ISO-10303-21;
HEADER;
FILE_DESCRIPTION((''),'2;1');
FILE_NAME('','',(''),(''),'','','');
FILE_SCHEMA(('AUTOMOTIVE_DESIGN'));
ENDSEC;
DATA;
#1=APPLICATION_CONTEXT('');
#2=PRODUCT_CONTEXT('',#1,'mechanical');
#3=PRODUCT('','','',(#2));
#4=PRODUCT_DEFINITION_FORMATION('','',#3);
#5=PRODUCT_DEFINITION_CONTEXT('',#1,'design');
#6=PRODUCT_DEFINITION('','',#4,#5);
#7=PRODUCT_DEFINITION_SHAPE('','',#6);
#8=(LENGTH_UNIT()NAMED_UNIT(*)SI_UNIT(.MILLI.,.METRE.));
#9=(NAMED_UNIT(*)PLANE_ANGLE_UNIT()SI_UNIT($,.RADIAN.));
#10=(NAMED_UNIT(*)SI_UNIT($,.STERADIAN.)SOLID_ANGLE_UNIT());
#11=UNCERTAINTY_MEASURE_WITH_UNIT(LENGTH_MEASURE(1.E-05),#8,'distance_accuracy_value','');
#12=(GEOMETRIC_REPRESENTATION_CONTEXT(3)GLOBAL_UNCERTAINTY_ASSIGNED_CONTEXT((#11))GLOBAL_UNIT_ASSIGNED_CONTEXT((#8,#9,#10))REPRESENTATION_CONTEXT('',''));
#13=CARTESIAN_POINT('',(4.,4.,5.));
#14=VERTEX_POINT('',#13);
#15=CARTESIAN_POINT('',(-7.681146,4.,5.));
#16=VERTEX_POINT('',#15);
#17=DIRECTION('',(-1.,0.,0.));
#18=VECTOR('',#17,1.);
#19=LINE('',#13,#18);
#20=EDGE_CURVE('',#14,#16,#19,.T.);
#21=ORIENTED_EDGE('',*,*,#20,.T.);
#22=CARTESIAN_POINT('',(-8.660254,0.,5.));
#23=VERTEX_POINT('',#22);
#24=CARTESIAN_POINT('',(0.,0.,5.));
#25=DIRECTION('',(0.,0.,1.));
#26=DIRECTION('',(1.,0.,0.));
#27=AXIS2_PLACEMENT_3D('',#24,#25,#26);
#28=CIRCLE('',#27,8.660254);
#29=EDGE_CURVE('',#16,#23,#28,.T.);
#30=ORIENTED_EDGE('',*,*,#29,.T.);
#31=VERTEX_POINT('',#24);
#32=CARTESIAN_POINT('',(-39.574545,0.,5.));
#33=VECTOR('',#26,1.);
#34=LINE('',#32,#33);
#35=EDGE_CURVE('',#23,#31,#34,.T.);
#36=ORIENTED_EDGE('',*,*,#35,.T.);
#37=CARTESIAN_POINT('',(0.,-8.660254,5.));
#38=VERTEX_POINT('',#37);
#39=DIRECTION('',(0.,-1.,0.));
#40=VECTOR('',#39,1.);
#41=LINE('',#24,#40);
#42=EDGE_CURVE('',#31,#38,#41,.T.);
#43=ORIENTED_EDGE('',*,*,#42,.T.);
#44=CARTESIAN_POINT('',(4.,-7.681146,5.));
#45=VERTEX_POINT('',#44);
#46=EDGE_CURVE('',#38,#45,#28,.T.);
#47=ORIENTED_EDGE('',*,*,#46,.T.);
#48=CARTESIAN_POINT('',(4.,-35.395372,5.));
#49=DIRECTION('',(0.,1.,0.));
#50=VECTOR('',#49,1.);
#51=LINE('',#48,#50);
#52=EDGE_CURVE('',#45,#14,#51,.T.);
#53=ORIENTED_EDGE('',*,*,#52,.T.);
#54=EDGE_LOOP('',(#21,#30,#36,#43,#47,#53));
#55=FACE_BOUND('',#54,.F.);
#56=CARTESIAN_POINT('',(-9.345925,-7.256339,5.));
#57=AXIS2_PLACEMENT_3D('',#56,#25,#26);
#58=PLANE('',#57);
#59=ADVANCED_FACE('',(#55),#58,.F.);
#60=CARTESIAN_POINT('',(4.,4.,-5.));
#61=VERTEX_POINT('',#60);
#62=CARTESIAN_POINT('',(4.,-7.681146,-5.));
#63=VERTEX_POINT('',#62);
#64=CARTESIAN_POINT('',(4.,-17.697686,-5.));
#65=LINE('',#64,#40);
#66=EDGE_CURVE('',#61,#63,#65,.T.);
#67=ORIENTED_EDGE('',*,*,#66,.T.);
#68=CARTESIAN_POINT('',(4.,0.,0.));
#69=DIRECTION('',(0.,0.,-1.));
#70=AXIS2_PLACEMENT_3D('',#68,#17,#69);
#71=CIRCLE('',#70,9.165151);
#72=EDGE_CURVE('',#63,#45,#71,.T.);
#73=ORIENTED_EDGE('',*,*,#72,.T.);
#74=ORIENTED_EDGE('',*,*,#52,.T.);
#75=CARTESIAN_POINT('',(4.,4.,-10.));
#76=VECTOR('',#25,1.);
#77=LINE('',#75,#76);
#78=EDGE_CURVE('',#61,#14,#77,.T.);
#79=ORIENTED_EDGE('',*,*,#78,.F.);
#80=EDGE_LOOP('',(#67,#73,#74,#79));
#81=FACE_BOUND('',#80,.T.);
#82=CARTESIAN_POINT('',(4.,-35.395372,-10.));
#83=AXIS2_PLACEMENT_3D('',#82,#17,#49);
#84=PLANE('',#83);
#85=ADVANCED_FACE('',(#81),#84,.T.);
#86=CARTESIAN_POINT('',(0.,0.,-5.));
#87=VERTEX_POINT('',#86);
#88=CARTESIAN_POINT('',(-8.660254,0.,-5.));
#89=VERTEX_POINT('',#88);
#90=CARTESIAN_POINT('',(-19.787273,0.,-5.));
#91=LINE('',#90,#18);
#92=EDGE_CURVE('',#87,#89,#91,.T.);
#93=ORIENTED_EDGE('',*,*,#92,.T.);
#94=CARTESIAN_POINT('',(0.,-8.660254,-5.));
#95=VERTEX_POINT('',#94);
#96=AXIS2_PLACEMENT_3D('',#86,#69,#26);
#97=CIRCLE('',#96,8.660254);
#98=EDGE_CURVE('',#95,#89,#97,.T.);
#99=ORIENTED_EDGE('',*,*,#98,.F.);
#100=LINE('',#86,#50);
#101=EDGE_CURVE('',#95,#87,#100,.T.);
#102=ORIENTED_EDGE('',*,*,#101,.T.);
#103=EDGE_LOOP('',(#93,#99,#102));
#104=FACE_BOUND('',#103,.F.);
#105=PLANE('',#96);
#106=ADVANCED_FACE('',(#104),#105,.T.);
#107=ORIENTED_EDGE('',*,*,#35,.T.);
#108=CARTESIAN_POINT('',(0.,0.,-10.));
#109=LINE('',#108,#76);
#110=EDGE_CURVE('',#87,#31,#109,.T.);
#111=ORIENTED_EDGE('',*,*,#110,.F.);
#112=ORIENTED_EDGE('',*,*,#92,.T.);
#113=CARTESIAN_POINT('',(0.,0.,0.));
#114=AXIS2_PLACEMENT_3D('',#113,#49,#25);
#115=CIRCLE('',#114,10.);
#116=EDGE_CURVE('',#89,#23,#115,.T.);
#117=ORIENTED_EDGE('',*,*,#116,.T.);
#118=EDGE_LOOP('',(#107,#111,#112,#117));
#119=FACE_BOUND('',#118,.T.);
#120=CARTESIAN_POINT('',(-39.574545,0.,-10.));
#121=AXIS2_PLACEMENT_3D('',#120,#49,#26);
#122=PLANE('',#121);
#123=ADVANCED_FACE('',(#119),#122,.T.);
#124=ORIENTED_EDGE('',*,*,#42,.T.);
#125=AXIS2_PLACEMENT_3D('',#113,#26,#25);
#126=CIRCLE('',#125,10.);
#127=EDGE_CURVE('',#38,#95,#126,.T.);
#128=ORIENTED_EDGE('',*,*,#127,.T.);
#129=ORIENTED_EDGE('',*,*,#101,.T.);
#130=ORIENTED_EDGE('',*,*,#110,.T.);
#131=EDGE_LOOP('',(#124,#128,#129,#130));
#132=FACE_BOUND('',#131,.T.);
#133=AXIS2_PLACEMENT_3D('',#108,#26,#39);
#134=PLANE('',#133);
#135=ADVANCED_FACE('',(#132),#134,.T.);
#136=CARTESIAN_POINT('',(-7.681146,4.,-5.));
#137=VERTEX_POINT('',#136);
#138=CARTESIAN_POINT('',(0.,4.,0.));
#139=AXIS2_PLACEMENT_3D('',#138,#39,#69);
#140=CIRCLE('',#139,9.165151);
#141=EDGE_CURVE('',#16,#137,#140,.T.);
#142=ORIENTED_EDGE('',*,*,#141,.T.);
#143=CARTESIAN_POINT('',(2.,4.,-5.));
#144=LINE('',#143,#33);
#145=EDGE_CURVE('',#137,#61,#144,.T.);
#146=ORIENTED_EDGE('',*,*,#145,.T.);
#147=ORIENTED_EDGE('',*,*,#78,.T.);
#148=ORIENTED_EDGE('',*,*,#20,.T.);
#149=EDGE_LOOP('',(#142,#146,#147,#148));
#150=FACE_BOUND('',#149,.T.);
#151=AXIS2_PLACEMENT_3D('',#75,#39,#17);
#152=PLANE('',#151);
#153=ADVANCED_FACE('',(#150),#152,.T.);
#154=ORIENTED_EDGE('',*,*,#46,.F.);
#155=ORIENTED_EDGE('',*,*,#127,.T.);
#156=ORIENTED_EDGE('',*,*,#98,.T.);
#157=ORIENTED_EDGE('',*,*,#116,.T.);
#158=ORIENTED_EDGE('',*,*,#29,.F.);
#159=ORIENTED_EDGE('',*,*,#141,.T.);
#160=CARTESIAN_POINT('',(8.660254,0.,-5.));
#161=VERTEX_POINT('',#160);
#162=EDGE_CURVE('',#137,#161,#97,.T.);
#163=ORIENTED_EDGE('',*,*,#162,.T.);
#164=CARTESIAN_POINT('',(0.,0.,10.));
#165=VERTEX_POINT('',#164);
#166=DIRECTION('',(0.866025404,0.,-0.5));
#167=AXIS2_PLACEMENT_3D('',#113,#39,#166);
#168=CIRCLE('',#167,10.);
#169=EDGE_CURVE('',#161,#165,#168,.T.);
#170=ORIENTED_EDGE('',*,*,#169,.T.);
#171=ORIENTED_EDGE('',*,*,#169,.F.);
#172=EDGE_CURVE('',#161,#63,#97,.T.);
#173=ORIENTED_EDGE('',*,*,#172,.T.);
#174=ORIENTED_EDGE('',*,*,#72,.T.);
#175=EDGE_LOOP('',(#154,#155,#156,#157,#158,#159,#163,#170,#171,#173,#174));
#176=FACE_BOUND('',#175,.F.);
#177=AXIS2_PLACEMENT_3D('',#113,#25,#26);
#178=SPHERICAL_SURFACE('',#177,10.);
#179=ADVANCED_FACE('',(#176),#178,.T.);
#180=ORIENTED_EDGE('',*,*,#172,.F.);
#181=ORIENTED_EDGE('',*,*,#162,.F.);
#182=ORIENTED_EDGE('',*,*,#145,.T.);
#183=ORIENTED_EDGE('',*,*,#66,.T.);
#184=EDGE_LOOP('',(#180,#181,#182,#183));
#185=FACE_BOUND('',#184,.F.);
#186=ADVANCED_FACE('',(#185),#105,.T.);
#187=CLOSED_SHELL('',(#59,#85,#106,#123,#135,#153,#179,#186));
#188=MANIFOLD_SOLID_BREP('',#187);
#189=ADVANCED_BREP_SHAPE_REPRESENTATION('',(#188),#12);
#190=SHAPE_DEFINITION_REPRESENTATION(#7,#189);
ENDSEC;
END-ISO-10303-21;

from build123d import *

# Parameters (mm, degrees)
F4_DEPTH = 15


with BuildPart() as f1:
    # F0 (on Front) → F1 (revolve)
    with BuildSketch(Plane.XZ):
        with BuildLine():
            Line((0, -5), (8.660254, -5))
            ThreePointArc((8.660254, -5), (8.660254, 5), (0, 10))
            Line((0, 10), (0, -5))
        make_face()
    revolve(axis=Axis((0, 0, -0.937037), (0, 0, -1)))

    # F3 (on offset) → F4 (cut)
    with BuildSketch(Plane.XY.offset(-10)):
        Polygon((-39.574545, 4), (-39.574545, 0), (0, 0), (0, -35.395372), (4, -35.395372), (4, 4), align=None)
    extrude(amount=F4_DEPTH, mode=Mode.SUBTRACT)


solid = f1.part
